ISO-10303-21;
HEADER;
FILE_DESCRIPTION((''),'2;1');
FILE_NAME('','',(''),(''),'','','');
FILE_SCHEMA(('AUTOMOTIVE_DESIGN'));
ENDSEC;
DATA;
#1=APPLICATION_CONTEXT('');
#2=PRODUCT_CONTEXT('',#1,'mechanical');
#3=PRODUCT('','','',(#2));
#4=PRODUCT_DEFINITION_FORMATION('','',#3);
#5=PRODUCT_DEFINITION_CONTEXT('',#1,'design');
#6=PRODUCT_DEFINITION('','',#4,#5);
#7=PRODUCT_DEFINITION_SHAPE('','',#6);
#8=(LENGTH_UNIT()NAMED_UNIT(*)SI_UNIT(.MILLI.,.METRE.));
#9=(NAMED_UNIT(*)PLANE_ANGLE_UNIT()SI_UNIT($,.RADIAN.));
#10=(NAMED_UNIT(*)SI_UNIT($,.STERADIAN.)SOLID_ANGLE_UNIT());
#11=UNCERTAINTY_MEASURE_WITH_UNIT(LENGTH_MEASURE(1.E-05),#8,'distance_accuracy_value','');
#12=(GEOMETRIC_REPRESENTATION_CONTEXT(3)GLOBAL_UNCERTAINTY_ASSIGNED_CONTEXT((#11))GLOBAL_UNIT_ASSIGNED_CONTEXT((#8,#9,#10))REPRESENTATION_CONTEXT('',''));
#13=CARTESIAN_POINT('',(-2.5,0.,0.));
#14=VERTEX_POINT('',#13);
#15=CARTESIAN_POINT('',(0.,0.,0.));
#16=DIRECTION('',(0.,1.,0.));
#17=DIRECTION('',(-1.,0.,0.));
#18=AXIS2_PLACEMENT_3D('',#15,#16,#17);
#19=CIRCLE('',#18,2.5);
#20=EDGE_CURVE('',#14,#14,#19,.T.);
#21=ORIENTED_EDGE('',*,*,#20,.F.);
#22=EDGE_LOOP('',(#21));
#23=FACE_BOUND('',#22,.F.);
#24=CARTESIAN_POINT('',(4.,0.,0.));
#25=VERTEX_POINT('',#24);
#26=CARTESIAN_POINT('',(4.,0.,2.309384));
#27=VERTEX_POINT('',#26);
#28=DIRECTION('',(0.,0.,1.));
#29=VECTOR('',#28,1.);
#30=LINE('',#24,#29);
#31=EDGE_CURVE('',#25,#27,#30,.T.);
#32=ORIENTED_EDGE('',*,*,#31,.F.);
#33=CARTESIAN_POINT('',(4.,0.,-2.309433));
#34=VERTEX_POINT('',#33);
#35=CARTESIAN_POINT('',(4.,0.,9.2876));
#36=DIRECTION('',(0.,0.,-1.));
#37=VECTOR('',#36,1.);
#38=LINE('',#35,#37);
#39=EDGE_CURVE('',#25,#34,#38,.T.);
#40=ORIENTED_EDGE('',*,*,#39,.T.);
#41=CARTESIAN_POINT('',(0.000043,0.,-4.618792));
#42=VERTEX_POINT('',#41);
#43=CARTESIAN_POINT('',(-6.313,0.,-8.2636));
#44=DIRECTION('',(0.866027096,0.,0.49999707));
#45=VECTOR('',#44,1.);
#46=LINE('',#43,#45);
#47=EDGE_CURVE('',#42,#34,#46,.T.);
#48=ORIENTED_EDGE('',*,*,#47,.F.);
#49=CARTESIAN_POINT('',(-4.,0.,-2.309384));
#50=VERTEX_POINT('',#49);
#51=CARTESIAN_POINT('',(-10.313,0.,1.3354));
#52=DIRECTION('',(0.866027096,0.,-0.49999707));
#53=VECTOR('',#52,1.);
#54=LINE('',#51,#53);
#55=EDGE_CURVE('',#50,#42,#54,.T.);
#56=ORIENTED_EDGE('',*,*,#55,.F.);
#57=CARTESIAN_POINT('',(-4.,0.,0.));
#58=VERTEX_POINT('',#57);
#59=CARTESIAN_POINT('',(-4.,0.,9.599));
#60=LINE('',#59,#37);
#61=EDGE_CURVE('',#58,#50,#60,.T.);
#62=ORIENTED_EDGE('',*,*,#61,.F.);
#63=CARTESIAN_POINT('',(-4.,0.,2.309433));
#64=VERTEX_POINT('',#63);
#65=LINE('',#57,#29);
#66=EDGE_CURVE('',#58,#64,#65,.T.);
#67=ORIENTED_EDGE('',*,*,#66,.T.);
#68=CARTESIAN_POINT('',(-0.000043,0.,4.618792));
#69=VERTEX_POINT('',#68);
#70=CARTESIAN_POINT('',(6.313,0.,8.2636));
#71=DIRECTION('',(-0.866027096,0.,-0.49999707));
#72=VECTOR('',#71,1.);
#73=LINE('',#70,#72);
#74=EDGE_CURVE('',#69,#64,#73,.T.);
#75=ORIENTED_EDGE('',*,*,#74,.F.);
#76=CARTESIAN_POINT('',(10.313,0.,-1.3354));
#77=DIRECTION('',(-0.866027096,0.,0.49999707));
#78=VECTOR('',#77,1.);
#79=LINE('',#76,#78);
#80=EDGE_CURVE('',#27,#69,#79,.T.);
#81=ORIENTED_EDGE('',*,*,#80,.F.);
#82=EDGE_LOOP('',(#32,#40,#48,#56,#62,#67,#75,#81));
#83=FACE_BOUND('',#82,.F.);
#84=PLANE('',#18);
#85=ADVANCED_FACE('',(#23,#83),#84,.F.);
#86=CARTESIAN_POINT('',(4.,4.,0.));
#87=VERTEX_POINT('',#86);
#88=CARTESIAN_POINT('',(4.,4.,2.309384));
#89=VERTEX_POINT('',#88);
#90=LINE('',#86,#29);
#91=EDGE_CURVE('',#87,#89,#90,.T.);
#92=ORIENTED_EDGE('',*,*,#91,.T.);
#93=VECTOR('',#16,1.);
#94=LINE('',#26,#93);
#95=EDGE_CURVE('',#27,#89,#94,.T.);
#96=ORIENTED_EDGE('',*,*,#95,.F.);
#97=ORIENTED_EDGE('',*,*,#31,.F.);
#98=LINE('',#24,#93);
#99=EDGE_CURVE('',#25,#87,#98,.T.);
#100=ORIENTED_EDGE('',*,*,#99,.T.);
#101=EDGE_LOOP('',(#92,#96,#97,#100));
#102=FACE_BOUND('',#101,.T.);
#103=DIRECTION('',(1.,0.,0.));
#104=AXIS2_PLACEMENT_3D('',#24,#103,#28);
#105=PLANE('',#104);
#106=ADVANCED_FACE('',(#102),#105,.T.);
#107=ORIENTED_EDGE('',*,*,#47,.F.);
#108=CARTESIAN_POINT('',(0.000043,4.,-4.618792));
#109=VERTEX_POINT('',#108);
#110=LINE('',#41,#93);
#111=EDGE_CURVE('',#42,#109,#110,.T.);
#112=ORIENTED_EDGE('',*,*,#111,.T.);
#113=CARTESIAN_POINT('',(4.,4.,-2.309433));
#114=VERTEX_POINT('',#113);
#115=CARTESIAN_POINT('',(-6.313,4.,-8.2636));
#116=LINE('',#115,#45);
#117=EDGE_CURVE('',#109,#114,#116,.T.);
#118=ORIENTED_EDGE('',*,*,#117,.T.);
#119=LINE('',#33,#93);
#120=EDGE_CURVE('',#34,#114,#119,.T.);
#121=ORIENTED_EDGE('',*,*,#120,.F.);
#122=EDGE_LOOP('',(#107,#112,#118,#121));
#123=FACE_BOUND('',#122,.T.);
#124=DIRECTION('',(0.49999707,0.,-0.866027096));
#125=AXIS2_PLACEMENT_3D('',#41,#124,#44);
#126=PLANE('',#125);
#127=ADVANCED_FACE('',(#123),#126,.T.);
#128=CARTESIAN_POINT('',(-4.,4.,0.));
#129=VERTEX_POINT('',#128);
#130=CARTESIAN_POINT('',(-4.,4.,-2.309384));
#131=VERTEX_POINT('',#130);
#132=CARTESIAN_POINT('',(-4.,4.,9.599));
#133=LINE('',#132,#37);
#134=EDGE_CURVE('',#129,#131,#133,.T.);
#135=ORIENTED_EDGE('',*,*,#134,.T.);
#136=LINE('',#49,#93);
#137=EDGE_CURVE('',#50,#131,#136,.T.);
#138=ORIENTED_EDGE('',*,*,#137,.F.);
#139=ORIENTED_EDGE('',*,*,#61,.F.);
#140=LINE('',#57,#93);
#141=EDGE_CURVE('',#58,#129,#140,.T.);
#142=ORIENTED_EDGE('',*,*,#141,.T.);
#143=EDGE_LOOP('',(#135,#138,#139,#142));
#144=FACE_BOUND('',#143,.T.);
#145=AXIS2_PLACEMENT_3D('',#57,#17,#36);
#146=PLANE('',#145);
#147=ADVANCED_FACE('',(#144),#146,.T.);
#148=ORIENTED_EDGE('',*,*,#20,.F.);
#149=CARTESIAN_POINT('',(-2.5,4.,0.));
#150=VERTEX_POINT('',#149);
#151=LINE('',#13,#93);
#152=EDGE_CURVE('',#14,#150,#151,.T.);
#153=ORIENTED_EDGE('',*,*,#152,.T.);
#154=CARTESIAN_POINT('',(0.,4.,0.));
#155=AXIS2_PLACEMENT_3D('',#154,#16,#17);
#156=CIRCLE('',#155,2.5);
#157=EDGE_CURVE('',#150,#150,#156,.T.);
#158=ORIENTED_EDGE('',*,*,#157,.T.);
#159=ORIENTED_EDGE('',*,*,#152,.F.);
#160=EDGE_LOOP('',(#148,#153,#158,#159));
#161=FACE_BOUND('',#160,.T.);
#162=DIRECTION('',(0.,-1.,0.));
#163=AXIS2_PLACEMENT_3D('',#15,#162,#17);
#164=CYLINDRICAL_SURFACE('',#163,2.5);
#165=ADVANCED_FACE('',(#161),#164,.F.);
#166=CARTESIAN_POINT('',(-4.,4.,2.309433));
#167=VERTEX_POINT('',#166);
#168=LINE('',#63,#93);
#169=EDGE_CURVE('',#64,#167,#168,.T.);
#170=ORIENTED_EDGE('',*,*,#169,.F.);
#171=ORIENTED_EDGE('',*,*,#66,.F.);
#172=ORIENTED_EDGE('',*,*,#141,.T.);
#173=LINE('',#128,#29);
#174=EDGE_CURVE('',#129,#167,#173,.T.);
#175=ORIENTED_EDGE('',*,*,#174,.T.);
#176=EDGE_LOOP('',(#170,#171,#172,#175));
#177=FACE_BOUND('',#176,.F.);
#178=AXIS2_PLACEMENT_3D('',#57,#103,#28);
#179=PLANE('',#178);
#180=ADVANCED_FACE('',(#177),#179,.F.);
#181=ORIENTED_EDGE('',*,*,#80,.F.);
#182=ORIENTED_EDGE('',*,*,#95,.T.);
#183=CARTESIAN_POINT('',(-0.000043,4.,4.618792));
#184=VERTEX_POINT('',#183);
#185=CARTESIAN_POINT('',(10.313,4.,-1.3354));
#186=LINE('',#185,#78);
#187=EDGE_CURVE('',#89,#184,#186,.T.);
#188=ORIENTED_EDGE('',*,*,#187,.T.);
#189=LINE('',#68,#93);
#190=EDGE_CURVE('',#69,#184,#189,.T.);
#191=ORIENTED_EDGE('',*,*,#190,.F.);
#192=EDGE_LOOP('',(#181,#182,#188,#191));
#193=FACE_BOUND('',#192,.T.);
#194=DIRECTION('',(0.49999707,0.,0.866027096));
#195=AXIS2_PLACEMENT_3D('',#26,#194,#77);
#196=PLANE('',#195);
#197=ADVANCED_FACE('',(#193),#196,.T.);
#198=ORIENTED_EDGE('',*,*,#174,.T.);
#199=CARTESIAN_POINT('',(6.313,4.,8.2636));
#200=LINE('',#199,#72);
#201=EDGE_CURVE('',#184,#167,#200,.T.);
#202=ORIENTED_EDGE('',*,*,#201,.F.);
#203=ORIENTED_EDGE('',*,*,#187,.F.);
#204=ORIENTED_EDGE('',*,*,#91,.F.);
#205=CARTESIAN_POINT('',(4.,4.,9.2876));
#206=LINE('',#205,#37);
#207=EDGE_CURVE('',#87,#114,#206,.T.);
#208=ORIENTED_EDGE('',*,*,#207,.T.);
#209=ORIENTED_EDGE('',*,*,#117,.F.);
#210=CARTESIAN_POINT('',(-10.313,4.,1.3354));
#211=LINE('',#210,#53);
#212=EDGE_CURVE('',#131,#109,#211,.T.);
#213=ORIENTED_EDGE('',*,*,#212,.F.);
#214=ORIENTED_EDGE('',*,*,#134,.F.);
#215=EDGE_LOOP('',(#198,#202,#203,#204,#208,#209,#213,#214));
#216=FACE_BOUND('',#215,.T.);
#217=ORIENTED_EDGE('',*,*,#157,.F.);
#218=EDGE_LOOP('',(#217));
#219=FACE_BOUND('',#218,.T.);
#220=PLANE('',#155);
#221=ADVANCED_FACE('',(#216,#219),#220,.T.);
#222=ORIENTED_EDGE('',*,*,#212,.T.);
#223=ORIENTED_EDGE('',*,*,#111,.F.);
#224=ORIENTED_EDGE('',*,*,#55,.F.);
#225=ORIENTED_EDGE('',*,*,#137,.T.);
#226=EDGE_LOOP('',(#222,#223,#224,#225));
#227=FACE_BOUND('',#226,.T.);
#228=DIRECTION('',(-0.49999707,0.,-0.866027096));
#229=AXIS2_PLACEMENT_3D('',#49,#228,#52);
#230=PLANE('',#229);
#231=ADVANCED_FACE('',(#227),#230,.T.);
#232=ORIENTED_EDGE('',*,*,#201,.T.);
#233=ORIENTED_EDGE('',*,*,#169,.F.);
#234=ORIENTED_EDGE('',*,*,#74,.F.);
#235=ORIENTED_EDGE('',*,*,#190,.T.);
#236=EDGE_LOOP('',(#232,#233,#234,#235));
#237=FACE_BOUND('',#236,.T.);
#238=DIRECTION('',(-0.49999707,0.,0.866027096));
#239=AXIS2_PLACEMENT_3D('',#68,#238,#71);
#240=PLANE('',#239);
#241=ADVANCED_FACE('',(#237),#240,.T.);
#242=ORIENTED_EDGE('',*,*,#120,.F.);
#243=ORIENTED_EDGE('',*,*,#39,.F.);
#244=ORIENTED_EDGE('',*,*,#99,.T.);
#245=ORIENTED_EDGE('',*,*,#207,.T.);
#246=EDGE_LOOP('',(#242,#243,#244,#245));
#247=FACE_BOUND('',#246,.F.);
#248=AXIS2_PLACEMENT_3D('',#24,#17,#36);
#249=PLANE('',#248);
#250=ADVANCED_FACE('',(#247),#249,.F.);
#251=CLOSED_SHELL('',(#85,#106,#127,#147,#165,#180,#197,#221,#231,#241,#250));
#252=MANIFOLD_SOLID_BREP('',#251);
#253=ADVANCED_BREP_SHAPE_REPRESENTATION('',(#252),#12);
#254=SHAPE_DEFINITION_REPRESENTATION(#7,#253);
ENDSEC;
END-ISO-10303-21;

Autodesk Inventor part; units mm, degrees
ref_plane "YZ Plane" through (0, 0, 0) normal (1, 0, 0) x (0, 1, 0)
ref_plane "XZ Plane" through (0, 0, 0) normal (0, 1, 0) x (-1, 0, 0)
ref_plane "XY Plane" through (0, 0, 0) normal (0, 0, 1) x (1, 0, 0)
sketch "Skizze3" plane through (0, 0, 0) normal (0, 1, 0) x (-1, 0, 0)
  circle A0 centre (0, 0) radius 2.5
  line L0 (4, 0) -> (4, 9.599)
  line L1 (4, 9.599) -> (4, -8.7779)
  line L2 (-4, 0) -> (-4, 9.2876)
  line L3 (-4, 9.2876) -> (-4, -8.3814)
  line L4 (-6.313, 8.2636) -> (9.6019, -0.9248)
  line L5 (-10.313, -1.3354) -> (5.6019, 7.853)
  line L6 (-4, -9.599) -> (-4, 8.7779)
  line L7 (6.313, -8.2636) -> (-9.6019, 0.9248)
  line L8 (10.313, 1.3354) -> (-5.6019, -7.853)
  point P0 (0, -4.6188)
  point P1 (4, -2.3094)
  point P2 (4, 2.3094)
  point P3 (0, 4.6188)
  point P4 (-4, 2.3094)
  point P5 (-4, -2.3094)
  dimension "d34" = 5
  dimension "d38" = 360
extrude "Extrusion1" add sketch "Skizze3" along normal blind 4 contours L1 L8 L7 L3 L2 L5 L4 L0
properties part number "01-03-01 Kugellager" material "Stahl, Guss"
